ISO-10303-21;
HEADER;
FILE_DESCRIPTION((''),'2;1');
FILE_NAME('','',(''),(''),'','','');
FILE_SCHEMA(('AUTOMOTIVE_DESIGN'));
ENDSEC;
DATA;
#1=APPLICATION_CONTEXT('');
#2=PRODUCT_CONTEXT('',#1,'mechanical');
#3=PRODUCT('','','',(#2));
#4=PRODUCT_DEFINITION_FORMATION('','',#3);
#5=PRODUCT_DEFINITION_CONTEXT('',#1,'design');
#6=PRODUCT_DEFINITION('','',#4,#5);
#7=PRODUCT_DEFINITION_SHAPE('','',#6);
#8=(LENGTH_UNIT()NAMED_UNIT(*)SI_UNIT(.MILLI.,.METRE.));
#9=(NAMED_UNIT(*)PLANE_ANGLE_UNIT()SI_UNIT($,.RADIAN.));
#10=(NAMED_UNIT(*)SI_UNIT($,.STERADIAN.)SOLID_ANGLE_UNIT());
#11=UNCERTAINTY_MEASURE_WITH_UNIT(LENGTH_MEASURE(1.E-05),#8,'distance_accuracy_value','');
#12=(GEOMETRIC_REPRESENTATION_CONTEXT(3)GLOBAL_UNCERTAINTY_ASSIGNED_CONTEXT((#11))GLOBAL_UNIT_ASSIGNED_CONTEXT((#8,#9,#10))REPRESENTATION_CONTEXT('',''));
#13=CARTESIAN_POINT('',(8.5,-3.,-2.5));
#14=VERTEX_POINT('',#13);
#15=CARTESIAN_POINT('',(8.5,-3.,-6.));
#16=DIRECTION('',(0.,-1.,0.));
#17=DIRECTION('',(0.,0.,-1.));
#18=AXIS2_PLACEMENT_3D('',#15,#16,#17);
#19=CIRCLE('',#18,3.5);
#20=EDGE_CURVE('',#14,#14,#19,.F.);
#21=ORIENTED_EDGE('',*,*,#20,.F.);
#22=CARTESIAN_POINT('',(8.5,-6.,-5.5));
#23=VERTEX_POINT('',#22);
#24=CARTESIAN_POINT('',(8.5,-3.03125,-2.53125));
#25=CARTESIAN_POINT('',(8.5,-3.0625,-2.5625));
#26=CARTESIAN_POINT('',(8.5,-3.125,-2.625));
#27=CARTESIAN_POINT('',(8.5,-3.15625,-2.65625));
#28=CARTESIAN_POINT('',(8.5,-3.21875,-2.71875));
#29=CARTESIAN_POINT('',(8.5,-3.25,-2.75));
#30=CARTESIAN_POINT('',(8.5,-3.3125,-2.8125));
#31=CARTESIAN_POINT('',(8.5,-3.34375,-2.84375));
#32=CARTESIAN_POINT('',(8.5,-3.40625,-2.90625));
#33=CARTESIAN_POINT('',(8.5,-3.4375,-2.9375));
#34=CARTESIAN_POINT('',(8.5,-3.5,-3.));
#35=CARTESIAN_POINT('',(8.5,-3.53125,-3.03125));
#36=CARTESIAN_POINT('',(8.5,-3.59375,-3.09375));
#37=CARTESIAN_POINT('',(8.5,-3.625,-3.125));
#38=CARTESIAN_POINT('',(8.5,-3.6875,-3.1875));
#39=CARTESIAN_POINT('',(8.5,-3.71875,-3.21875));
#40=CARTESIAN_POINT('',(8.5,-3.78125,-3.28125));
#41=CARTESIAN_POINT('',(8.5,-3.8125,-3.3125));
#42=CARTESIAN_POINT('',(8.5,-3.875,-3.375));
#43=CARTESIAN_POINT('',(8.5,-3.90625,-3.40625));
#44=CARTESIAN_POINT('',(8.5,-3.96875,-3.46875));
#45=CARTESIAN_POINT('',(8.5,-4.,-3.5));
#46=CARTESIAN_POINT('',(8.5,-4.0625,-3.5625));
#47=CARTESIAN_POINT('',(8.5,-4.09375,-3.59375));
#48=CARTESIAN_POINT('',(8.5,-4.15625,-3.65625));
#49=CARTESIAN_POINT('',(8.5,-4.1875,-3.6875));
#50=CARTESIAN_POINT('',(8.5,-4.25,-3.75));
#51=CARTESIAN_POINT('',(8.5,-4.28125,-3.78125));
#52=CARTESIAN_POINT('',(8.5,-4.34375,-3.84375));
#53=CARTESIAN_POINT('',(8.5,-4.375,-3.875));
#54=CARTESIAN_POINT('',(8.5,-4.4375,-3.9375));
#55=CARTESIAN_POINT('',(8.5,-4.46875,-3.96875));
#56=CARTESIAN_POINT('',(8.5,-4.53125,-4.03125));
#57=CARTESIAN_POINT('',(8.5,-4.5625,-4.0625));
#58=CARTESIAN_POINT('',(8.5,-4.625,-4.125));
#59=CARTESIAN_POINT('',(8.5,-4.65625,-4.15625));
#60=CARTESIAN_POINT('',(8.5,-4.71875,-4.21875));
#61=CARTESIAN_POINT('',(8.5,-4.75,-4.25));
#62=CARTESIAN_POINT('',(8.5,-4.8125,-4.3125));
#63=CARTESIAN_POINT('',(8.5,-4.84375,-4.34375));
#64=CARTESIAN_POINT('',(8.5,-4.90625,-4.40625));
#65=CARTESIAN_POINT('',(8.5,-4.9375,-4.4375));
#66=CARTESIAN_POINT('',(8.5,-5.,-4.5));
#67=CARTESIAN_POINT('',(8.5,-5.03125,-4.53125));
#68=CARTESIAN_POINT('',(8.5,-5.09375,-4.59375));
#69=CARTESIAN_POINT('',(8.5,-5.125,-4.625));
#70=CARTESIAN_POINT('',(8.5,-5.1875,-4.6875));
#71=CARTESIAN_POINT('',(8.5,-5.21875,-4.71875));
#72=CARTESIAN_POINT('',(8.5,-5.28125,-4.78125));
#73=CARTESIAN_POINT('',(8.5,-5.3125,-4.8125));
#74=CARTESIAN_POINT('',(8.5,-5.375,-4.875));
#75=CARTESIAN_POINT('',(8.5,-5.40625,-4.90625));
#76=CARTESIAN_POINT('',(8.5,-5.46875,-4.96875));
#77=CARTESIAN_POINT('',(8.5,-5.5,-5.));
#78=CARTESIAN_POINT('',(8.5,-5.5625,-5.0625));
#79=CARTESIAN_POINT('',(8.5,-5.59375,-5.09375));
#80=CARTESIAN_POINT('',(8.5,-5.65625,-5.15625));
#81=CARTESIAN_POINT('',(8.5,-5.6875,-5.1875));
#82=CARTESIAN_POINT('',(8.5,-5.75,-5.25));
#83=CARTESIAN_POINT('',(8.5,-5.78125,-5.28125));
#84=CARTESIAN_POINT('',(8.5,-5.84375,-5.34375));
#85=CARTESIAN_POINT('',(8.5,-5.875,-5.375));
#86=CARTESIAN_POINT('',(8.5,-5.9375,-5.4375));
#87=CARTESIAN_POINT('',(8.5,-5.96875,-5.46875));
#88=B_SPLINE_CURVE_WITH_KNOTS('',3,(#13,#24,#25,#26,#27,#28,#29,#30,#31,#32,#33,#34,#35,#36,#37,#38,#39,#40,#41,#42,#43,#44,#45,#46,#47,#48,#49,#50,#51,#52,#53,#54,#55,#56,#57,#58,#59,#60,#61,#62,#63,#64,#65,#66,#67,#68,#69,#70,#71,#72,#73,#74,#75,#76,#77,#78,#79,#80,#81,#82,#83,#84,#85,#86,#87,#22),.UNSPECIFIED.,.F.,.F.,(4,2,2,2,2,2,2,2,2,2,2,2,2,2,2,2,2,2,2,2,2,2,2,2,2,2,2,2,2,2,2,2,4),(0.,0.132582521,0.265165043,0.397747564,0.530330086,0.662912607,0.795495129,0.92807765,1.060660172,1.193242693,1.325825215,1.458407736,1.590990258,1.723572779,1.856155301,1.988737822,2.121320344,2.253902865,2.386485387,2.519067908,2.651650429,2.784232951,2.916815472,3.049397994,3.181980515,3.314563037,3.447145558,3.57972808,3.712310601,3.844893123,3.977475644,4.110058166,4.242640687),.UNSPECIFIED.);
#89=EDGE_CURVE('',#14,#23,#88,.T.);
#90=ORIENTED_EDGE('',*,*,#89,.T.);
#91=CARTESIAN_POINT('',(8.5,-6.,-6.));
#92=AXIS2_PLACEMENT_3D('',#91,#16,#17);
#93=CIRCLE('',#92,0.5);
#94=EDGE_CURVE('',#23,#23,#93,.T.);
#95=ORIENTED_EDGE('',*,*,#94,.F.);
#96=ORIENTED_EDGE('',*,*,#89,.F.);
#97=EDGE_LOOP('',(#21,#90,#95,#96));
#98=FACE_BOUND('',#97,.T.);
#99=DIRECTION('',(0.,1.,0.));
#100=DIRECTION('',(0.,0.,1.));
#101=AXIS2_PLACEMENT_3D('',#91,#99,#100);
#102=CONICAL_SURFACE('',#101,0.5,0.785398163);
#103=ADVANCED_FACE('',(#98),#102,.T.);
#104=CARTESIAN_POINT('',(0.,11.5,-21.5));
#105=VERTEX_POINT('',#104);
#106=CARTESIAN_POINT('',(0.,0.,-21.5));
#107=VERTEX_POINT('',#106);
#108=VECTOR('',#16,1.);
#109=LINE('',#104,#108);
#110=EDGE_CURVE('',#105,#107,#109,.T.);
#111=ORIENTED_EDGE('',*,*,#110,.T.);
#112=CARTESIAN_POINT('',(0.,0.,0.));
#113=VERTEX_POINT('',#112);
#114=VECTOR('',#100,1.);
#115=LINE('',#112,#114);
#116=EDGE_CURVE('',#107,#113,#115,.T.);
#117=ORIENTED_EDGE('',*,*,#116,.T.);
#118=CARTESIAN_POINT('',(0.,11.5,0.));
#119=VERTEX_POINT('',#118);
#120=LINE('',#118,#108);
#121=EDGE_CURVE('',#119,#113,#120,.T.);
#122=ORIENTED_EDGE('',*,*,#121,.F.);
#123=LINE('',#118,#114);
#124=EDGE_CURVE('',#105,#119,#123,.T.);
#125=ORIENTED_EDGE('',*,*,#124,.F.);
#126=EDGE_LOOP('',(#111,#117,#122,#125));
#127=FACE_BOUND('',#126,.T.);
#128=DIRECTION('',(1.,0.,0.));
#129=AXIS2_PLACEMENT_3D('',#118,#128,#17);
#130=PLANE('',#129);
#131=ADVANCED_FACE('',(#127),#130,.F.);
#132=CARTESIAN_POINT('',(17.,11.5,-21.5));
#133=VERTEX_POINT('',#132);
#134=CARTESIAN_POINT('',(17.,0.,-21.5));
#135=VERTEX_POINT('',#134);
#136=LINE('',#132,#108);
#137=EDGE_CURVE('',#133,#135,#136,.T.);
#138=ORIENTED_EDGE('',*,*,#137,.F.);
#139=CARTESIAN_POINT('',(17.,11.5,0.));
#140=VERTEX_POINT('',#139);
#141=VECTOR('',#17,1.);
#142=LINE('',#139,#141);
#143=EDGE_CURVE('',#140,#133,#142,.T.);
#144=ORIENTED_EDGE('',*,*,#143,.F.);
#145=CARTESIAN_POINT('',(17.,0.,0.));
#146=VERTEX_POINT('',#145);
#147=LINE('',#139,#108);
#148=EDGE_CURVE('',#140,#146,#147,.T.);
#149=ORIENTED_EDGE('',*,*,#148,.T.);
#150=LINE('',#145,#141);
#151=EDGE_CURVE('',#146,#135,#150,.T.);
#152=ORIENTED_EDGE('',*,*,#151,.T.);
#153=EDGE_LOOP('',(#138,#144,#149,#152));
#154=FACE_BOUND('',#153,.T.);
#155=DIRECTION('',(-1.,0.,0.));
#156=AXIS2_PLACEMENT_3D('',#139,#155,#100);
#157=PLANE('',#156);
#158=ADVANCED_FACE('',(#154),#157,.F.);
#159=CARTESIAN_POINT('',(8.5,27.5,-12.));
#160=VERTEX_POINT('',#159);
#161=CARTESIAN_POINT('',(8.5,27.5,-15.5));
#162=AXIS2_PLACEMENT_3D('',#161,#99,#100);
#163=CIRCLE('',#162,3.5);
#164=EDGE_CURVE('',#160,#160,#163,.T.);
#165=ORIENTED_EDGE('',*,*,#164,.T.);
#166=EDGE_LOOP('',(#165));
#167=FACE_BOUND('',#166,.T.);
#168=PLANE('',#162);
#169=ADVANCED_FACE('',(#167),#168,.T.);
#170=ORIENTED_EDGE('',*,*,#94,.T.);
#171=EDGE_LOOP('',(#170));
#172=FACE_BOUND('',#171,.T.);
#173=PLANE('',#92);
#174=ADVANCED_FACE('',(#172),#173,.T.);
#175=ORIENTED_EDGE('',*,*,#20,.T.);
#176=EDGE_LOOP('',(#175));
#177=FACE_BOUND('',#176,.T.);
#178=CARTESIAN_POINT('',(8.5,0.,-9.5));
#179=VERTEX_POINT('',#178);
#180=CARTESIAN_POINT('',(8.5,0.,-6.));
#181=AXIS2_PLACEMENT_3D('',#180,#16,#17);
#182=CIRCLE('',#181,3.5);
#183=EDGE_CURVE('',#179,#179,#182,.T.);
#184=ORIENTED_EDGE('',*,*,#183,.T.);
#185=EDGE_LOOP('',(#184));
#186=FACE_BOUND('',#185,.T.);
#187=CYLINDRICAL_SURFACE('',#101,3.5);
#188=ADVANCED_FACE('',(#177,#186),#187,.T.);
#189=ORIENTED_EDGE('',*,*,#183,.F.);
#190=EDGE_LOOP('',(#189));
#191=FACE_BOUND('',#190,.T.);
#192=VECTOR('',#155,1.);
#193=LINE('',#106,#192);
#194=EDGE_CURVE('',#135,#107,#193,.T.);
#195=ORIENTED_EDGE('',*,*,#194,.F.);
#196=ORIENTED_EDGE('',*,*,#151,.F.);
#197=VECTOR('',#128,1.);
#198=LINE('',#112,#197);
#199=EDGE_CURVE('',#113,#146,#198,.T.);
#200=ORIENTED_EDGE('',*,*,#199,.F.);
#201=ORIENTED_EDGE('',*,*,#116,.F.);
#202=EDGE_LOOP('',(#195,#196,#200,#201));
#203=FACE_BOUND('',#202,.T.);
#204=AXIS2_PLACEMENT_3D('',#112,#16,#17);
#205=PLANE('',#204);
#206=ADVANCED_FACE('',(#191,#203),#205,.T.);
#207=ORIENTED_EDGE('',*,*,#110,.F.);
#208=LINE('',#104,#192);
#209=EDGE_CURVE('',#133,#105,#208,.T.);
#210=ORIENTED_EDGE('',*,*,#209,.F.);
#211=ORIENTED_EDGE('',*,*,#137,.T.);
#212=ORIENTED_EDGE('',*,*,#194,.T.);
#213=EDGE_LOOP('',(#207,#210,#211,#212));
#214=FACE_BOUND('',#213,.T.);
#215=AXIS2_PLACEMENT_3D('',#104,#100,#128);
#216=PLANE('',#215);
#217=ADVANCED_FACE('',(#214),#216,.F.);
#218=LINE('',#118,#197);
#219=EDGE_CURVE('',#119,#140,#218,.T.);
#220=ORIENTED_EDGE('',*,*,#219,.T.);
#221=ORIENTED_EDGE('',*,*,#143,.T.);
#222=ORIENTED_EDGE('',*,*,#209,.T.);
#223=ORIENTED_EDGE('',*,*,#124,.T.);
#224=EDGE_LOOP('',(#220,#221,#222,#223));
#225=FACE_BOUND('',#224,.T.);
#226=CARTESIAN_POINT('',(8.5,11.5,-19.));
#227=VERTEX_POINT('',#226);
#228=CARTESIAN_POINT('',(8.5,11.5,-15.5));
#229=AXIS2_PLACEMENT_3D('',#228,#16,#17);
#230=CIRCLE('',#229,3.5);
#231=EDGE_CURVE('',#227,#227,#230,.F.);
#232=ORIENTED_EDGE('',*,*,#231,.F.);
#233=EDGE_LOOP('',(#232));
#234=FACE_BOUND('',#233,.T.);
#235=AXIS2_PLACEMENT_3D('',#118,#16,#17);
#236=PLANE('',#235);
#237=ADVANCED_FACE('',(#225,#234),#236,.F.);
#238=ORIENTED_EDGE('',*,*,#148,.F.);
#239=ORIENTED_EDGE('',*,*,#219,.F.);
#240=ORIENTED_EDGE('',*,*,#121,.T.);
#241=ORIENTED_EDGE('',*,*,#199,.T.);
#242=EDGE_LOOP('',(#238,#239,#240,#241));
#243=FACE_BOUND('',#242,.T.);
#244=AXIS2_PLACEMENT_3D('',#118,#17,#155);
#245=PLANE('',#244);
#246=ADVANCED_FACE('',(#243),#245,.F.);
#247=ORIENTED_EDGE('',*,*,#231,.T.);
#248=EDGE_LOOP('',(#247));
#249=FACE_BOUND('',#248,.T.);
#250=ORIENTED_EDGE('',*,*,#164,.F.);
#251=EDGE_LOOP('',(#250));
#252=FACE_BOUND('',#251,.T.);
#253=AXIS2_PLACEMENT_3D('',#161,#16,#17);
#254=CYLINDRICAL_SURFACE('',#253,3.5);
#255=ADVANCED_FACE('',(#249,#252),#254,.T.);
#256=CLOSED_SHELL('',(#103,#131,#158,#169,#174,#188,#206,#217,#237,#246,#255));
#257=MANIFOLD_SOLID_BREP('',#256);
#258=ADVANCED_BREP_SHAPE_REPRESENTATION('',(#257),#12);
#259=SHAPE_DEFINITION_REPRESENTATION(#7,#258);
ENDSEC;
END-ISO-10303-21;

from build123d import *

# Parameters (mm, degrees)
SKETCH1_W           = 17
SKETCH1_H           = 21.5
BOSS_EXTRUDE1_DEPTH = 11.5
SKETCH2_R           = 3.5
BOSS_EXTRUDE2_DEPTH = 16
SKETCH3_R           = 3.5
BOSS_EXTRUDE3_DEPTH = 6
CHAMFER1_SIZE       = 3


with BuildPart() as part:
    # Sketch1 → Boss-Extrude1 (new body)
    with BuildSketch(Plane(origin=(0, 0, 0), x_dir=(1, 0, 0), z_dir=(0, 1, 0))):
        with Locations((8.5, 10.75)):
            Rectangle(SKETCH1_W, SKETCH1_H)
    extrude(amount=BOSS_EXTRUDE1_DEPTH)

    # Sketch2 → Boss-Extrude2 (add)
    with BuildSketch(Plane(origin=(0, 11.5, 0), x_dir=(1, 0, 0), z_dir=(0, 1, 0))):
        with Locations(Location((8.5, 15.5, 0), (0, 0, 90))):
            Circle(SKETCH2_R)
    extrude(amount=BOSS_EXTRUDE2_DEPTH)

    # Sketch3 → Boss-Extrude3 (add)
    with BuildSketch(Plane.XZ):
        with Locations(Location((8.5, -6, 0), (0, 0, 270))):
            Circle(SKETCH3_R)
    extrude(amount=BOSS_EXTRUDE3_DEPTH)

    # Chamfer1
    chamfer1_edges = [part.edges().sort_by_distance(p)[0] for p in [
        (8.5, -6, -2.5),
    ]]
    chamfer(chamfer1_edges, length=CHAMFER1_SIZE)


solid = part.part
